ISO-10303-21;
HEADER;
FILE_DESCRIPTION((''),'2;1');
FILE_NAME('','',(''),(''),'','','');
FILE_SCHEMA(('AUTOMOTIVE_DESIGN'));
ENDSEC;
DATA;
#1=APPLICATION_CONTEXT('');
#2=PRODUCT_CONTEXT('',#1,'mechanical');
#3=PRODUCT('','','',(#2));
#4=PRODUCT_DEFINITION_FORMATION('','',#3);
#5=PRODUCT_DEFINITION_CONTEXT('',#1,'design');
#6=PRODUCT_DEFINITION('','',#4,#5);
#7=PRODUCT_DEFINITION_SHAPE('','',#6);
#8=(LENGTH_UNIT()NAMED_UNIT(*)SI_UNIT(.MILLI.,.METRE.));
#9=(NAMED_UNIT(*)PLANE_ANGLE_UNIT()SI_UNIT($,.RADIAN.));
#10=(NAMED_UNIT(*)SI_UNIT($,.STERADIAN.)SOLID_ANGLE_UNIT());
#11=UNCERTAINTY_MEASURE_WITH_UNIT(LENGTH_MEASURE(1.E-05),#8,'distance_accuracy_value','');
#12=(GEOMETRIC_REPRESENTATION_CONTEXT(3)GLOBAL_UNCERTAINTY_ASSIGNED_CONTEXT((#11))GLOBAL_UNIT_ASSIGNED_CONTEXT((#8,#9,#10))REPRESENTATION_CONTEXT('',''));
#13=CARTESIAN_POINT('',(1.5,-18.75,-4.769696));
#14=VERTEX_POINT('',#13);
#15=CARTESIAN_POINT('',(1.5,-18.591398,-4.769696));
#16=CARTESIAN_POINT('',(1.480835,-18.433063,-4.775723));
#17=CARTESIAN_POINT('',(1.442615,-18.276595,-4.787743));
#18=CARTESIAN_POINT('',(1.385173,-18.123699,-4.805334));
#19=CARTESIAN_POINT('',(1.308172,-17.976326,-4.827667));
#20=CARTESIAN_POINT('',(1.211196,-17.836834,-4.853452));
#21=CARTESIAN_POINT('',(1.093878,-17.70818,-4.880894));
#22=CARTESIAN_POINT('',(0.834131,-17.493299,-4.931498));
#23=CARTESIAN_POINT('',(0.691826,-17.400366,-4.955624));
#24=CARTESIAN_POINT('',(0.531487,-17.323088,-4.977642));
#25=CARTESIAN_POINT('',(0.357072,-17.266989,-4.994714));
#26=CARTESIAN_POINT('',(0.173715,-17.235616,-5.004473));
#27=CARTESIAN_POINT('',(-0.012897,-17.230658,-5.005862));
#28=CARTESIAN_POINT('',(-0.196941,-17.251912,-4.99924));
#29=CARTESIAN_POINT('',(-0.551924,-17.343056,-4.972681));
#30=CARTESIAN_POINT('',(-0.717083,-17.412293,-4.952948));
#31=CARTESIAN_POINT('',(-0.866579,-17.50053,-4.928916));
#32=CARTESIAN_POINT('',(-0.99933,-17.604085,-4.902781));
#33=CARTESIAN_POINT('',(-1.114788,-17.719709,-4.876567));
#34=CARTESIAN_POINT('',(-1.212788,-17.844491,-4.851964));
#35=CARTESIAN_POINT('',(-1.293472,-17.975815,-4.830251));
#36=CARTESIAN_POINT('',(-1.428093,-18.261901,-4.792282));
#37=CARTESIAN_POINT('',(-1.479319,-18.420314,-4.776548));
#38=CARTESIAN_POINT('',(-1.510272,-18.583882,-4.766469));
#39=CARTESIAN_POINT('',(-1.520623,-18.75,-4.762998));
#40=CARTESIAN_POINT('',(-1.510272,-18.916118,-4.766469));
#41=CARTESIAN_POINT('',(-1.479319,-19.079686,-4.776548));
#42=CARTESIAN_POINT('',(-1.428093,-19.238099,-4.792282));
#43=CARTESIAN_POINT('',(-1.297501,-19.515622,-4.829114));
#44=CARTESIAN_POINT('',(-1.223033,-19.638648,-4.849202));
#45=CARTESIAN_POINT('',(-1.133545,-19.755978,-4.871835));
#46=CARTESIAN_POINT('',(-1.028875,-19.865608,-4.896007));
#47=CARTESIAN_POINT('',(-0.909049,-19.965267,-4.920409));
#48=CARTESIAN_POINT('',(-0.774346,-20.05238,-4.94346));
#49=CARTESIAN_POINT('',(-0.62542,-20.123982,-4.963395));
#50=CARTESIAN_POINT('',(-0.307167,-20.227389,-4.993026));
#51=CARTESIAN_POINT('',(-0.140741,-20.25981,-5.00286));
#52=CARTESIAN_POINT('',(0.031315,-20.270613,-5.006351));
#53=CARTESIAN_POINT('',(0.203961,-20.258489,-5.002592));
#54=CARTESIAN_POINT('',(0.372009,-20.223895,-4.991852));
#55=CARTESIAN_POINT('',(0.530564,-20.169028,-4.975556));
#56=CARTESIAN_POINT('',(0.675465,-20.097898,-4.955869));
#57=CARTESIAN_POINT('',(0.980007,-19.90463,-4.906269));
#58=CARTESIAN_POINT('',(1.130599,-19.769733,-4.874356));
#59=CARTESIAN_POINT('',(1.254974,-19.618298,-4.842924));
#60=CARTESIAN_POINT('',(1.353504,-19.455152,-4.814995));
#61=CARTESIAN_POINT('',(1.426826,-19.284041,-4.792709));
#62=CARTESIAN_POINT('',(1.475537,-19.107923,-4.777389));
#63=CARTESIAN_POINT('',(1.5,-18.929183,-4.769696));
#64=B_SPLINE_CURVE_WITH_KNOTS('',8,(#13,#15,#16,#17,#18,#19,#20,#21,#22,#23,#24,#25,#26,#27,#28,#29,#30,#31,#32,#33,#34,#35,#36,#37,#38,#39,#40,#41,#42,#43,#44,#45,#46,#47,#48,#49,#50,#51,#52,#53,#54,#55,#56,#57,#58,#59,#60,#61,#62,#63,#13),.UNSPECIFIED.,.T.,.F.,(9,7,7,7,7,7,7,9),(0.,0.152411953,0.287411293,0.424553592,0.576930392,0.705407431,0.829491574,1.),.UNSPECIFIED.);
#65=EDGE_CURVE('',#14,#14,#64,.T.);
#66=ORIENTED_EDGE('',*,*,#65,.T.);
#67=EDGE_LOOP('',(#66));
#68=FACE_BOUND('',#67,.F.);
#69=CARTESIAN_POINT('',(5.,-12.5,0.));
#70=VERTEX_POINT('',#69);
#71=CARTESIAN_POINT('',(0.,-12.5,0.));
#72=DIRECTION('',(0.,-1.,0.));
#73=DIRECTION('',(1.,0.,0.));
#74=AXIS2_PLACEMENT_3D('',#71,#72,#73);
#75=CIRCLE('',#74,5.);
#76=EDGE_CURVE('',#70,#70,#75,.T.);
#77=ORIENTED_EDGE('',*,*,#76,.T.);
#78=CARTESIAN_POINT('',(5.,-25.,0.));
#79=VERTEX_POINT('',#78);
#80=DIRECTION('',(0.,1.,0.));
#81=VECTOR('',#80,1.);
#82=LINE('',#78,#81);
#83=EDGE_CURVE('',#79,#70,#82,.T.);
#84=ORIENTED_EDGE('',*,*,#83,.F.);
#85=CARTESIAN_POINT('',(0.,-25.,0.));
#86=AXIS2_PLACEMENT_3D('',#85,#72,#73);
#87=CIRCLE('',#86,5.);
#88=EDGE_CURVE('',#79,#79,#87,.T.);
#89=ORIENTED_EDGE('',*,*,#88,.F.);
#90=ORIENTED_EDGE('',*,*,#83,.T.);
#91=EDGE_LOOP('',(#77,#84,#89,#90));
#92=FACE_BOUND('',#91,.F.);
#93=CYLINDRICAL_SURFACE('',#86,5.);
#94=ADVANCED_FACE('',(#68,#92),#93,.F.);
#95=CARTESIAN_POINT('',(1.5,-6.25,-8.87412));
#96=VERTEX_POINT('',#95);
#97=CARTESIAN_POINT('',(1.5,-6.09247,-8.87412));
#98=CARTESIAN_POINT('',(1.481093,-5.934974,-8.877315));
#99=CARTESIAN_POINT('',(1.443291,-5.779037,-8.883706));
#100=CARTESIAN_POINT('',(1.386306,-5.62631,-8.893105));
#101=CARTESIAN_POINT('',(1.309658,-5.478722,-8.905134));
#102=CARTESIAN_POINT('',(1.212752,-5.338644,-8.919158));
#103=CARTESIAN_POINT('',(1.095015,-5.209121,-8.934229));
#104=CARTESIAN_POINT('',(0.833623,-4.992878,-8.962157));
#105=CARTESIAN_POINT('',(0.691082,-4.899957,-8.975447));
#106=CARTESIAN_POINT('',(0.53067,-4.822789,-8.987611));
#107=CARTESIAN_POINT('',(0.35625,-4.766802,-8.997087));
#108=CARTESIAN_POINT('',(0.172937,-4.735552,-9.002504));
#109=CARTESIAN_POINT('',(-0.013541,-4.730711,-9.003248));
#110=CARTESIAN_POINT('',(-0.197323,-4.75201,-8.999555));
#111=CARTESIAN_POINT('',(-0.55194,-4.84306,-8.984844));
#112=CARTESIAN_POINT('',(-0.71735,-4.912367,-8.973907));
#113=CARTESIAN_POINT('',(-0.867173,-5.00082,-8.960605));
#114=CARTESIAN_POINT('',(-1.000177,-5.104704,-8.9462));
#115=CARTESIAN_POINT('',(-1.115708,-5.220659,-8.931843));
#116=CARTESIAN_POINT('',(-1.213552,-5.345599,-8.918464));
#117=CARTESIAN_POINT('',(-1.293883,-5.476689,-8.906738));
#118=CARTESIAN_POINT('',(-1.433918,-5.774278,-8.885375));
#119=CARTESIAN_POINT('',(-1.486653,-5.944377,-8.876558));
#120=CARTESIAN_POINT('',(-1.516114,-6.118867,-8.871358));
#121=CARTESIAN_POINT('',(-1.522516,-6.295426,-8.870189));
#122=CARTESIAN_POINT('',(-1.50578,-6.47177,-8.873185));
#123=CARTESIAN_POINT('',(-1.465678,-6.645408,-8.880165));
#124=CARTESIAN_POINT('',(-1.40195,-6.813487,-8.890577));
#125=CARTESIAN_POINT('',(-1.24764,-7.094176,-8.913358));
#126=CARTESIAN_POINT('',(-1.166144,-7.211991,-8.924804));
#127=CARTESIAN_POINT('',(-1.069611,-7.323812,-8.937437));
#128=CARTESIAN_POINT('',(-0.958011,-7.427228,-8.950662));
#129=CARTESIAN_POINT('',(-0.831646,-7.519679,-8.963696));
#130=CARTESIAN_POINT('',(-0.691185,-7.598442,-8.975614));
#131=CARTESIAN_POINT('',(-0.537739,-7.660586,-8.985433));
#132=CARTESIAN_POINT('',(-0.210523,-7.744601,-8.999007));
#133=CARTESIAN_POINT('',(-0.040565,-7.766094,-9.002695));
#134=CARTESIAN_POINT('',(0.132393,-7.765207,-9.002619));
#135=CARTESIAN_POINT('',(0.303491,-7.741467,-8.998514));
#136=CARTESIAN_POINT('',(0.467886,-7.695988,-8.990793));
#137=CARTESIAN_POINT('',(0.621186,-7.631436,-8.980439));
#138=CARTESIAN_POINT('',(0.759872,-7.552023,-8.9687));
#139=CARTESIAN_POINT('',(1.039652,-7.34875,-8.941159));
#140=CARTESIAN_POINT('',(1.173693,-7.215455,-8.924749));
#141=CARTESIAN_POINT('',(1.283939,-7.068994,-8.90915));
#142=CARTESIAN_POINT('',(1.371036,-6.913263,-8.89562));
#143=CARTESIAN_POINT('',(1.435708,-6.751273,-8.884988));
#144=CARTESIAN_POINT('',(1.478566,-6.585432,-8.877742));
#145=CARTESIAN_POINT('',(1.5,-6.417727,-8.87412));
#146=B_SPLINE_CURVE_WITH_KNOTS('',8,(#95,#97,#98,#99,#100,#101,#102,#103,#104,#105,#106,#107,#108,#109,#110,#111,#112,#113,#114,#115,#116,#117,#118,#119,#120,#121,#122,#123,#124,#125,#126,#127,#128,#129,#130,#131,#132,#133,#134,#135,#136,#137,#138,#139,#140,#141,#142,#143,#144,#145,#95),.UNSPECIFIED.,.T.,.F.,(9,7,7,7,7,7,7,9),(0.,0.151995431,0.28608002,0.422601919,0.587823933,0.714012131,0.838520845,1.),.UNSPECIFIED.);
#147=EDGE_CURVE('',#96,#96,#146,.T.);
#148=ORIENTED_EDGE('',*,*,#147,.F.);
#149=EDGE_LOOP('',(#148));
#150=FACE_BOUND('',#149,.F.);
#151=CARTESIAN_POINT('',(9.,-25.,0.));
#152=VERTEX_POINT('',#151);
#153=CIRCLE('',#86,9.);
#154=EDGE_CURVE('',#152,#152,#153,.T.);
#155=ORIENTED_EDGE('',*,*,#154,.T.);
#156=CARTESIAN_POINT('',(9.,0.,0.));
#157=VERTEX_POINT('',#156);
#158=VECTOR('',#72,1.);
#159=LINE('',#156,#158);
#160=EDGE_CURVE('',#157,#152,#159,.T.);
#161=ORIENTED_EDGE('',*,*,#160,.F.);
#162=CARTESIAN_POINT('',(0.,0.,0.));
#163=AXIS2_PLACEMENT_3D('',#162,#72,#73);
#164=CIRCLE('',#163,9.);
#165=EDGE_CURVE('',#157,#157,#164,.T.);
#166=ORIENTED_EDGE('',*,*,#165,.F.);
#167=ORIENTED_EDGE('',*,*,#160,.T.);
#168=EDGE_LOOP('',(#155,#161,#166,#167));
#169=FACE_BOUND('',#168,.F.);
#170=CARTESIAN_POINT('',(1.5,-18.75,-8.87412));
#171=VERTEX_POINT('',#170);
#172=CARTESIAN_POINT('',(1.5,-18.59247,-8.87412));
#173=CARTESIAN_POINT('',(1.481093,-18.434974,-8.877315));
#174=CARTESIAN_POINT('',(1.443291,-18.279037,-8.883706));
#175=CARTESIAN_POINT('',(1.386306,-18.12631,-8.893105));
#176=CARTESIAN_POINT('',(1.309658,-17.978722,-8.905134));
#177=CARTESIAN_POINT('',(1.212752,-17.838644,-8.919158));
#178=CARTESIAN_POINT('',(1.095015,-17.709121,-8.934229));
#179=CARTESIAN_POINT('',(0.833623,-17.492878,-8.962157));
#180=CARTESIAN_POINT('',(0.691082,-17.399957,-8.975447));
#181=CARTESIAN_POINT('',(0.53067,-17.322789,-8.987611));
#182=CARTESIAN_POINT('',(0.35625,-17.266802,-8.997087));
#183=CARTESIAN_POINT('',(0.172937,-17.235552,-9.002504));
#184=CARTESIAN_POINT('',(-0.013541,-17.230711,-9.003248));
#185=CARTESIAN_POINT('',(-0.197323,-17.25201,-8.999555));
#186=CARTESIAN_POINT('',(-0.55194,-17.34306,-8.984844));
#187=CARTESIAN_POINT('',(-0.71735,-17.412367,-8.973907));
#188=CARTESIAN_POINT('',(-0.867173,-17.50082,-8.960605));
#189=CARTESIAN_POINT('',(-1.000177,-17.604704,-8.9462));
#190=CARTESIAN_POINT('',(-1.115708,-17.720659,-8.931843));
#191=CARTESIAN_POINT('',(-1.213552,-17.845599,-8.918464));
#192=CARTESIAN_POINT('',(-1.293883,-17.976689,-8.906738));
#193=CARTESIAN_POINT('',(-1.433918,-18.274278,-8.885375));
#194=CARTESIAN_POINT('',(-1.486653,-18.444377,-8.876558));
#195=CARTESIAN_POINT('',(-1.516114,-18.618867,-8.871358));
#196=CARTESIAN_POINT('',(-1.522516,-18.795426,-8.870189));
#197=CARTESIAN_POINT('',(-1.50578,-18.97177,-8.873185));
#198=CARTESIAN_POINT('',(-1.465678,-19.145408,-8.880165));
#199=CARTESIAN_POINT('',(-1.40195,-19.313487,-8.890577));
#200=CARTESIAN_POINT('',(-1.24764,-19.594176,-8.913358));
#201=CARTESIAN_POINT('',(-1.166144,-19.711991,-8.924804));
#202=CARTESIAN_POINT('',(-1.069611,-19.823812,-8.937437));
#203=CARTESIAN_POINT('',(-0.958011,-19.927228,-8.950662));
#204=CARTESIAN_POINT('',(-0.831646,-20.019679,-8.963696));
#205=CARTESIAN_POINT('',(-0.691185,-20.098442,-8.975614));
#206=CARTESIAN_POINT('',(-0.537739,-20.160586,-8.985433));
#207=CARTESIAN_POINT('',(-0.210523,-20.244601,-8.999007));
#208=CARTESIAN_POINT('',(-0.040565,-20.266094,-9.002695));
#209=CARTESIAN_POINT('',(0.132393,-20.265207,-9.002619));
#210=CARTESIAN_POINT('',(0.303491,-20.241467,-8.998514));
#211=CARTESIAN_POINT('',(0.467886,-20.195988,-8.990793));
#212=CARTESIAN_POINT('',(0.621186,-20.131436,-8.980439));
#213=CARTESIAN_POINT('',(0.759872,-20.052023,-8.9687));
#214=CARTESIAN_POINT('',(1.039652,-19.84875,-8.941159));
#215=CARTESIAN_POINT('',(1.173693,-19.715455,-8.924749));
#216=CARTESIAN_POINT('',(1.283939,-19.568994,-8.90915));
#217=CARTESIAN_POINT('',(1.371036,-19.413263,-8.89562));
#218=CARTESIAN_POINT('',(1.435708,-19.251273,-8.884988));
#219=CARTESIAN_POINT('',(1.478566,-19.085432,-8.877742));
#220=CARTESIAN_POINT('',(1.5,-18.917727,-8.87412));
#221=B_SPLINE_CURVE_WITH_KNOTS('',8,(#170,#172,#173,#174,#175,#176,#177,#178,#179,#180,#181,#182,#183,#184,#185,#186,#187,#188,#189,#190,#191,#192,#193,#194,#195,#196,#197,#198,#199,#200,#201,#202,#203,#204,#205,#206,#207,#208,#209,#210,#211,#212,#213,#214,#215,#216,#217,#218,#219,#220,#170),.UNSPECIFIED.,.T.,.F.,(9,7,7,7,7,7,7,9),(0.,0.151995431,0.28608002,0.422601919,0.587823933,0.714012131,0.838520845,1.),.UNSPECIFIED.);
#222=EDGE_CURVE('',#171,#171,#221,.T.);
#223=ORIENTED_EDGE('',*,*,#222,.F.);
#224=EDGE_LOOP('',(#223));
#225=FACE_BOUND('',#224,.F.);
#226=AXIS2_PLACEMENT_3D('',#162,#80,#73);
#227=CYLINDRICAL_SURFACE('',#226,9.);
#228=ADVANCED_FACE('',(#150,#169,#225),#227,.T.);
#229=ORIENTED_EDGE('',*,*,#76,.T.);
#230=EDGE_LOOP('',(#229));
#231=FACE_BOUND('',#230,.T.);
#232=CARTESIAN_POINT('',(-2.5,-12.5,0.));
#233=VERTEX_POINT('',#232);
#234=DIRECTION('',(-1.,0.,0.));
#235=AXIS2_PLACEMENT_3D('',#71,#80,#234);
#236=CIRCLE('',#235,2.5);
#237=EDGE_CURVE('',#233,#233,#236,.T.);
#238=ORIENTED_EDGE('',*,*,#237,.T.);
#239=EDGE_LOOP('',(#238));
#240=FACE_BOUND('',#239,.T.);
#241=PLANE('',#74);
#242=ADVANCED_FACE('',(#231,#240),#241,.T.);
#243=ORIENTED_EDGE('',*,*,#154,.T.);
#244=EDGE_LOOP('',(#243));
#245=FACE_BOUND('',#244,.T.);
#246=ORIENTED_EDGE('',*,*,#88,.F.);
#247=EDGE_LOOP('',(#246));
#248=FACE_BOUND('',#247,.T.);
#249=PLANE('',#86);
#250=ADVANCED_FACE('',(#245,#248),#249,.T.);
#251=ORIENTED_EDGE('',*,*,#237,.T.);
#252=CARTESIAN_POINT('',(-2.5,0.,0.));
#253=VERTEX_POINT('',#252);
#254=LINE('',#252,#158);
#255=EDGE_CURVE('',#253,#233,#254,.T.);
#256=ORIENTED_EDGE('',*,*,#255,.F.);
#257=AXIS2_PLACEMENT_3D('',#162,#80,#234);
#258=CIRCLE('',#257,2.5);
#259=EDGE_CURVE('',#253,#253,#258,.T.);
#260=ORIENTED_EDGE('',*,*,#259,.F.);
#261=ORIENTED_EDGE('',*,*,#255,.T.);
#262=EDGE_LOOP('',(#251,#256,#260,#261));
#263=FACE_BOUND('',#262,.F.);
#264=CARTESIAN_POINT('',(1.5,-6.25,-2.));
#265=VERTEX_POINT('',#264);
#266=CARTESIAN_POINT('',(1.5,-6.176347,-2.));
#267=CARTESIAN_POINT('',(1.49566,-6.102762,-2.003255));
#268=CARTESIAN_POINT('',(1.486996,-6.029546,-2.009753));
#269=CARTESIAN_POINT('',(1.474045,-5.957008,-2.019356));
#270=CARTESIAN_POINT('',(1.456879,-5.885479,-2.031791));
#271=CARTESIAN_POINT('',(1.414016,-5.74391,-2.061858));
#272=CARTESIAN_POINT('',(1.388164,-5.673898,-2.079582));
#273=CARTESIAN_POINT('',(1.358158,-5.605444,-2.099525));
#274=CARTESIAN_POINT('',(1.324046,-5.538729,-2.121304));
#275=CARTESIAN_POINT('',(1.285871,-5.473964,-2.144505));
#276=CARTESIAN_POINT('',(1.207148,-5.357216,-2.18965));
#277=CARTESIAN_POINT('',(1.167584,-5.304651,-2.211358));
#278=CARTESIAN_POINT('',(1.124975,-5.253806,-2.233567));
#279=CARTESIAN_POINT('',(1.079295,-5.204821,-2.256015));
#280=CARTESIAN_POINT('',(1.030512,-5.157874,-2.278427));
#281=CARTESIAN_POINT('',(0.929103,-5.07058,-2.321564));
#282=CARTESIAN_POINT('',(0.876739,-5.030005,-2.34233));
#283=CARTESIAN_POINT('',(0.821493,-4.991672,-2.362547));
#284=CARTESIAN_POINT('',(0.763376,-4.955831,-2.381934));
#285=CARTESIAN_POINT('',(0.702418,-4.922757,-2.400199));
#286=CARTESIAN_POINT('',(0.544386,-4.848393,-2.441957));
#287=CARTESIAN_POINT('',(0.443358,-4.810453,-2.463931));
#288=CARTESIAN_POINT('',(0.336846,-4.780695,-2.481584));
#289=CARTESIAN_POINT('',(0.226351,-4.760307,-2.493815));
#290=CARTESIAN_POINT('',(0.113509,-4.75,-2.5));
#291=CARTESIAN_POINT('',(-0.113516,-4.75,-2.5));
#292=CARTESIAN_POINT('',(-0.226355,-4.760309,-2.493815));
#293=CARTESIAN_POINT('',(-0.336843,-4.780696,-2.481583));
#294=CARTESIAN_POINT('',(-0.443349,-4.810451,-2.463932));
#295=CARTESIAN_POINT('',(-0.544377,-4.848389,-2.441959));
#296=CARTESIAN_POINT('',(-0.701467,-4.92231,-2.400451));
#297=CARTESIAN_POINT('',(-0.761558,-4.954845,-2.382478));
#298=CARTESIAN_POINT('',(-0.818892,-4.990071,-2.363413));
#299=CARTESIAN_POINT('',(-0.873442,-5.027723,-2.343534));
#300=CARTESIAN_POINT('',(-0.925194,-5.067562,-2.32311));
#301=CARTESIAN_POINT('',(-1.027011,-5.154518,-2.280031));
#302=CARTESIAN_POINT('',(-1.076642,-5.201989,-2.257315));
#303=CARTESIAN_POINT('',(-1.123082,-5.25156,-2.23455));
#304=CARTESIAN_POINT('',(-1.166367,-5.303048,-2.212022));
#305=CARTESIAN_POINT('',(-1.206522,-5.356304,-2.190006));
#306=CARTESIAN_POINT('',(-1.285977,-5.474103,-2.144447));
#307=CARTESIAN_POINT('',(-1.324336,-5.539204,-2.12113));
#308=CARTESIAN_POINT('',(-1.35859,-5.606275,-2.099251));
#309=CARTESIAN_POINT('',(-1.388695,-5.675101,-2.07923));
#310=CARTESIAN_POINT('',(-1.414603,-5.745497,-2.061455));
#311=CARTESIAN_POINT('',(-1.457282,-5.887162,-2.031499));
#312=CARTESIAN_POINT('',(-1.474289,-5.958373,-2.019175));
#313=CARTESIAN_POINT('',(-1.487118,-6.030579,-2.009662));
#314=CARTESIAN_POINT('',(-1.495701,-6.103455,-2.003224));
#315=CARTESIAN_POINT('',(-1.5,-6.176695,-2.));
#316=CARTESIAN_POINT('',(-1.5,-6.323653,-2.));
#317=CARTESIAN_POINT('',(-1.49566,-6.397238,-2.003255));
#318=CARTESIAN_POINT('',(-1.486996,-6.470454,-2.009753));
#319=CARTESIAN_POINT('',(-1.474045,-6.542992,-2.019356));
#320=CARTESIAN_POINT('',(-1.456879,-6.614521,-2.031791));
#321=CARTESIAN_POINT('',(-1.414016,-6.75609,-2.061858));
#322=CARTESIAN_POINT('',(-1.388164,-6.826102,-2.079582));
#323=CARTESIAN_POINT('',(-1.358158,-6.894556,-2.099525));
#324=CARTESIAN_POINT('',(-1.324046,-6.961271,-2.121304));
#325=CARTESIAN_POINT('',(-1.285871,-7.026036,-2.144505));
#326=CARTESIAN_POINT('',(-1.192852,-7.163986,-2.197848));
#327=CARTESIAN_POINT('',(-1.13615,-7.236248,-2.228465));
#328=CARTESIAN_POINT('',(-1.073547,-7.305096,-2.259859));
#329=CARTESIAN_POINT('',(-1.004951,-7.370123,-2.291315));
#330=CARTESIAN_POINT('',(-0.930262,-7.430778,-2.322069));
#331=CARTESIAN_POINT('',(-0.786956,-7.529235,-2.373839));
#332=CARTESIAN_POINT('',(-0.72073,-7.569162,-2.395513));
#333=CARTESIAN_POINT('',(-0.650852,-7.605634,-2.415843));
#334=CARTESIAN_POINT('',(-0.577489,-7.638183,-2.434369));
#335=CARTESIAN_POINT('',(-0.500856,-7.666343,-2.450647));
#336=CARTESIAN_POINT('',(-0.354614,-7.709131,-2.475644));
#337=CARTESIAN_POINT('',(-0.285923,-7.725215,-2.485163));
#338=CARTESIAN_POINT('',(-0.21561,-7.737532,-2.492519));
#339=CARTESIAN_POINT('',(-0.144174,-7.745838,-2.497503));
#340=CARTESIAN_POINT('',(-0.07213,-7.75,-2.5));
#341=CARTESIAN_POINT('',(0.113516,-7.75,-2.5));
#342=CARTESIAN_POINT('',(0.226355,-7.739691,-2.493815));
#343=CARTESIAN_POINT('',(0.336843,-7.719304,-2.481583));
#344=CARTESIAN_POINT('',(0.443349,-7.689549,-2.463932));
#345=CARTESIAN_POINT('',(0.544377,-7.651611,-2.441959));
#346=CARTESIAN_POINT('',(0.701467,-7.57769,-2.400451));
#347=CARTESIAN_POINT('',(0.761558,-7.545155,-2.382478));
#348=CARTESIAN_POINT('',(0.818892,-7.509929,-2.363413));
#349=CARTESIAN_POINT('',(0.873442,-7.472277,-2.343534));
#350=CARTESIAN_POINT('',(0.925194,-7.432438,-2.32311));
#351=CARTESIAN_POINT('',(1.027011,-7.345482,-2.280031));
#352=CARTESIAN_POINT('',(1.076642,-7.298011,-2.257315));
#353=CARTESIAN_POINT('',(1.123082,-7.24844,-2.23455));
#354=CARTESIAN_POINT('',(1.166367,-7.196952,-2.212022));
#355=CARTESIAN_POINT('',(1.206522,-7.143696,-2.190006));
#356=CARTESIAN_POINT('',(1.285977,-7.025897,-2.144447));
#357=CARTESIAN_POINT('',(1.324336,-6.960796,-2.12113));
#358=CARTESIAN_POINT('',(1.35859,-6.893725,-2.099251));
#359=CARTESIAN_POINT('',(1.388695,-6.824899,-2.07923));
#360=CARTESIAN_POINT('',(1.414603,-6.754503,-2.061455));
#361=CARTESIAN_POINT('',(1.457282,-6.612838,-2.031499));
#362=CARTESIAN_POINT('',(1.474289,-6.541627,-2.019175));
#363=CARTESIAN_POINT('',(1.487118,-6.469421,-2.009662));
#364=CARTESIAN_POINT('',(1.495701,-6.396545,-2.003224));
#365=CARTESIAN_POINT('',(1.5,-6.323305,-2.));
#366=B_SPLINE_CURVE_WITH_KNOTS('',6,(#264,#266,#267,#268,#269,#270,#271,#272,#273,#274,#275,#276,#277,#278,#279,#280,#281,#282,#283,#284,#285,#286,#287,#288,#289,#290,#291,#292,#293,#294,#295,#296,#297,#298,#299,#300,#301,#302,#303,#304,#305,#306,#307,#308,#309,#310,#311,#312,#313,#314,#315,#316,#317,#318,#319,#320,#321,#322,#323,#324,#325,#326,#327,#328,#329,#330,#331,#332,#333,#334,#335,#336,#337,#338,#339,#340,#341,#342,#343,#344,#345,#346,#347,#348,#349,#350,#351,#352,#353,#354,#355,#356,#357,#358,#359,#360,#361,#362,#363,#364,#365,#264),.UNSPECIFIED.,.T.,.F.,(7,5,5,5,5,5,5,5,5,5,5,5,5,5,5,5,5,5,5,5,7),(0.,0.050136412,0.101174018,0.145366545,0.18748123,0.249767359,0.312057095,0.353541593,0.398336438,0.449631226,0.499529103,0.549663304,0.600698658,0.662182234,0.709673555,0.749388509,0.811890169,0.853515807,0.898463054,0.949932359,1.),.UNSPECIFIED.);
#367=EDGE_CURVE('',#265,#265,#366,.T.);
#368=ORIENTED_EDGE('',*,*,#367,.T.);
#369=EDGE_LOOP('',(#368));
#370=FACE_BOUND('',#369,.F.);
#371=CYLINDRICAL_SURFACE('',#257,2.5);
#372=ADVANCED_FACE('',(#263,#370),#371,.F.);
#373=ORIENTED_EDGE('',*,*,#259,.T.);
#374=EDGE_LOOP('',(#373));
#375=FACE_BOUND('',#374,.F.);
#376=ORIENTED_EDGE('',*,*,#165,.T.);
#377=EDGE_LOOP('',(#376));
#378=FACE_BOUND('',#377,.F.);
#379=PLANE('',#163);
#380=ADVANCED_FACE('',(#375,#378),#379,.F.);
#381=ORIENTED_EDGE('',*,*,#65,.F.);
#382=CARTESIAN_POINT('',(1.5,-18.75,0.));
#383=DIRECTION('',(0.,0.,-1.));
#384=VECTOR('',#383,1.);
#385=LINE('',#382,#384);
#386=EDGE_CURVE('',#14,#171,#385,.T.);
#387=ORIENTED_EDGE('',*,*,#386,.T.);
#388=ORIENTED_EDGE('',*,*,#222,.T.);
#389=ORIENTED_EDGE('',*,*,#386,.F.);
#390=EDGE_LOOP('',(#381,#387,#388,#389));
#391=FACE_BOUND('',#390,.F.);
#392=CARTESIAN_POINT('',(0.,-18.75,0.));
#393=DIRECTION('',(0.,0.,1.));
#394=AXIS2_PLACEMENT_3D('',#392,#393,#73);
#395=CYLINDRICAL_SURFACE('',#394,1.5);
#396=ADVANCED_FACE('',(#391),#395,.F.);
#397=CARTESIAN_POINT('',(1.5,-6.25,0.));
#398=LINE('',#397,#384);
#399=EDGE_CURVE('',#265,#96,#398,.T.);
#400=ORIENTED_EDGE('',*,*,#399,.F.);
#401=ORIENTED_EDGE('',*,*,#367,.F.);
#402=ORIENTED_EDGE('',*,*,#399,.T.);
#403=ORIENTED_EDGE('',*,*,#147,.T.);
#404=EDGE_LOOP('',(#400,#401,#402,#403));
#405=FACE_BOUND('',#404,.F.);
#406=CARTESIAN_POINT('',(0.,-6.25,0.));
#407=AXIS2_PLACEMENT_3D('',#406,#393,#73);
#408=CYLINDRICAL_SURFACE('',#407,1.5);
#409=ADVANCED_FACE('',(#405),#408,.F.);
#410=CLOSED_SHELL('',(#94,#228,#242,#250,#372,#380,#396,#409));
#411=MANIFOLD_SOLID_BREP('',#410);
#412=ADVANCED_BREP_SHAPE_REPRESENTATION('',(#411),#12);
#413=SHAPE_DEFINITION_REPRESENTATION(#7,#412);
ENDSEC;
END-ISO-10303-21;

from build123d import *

# Parameters (mm, degrees)
F0_R     = 9
F1_DEPTH = 25
F2_R     = 5
F3_DEPTH = 12.5
F4_R     = 2.5
F5_DEPTH = 12.5
F6_R     = 1.5
F7_DEPTH = 25


with BuildPart() as f1:
    # F0 (on Front) → F1 (new body)
    with BuildSketch(Plane.XZ):
        Circle(F0_R)
    extrude(amount=F1_DEPTH)

    # F2 (on face) → F3 (cut)
    with BuildSketch(Plane.XZ.offset(25)):
        Circle(F2_R)
    extrude(amount=-F3_DEPTH, mode=Mode.SUBTRACT)

    # F4 (on face) → F5 (cut)
    with BuildSketch(Plane(origin=(0, 0, 0), x_dir=(-1, 0, 0), z_dir=(0, 1, 0))):
        Circle(F4_R)
    extrude(amount=-F5_DEPTH, mode=Mode.SUBTRACT)

    # F6 (on Top) → F7 (cut)
    with BuildSketch(Plane.XY):
        with Locations((0, -6.25)):
            Circle(F6_R)
        with Locations((0, -18.75)):
            Circle(F6_R)
    extrude(amount=-F7_DEPTH, mode=Mode.SUBTRACT)


solid = f1.part
